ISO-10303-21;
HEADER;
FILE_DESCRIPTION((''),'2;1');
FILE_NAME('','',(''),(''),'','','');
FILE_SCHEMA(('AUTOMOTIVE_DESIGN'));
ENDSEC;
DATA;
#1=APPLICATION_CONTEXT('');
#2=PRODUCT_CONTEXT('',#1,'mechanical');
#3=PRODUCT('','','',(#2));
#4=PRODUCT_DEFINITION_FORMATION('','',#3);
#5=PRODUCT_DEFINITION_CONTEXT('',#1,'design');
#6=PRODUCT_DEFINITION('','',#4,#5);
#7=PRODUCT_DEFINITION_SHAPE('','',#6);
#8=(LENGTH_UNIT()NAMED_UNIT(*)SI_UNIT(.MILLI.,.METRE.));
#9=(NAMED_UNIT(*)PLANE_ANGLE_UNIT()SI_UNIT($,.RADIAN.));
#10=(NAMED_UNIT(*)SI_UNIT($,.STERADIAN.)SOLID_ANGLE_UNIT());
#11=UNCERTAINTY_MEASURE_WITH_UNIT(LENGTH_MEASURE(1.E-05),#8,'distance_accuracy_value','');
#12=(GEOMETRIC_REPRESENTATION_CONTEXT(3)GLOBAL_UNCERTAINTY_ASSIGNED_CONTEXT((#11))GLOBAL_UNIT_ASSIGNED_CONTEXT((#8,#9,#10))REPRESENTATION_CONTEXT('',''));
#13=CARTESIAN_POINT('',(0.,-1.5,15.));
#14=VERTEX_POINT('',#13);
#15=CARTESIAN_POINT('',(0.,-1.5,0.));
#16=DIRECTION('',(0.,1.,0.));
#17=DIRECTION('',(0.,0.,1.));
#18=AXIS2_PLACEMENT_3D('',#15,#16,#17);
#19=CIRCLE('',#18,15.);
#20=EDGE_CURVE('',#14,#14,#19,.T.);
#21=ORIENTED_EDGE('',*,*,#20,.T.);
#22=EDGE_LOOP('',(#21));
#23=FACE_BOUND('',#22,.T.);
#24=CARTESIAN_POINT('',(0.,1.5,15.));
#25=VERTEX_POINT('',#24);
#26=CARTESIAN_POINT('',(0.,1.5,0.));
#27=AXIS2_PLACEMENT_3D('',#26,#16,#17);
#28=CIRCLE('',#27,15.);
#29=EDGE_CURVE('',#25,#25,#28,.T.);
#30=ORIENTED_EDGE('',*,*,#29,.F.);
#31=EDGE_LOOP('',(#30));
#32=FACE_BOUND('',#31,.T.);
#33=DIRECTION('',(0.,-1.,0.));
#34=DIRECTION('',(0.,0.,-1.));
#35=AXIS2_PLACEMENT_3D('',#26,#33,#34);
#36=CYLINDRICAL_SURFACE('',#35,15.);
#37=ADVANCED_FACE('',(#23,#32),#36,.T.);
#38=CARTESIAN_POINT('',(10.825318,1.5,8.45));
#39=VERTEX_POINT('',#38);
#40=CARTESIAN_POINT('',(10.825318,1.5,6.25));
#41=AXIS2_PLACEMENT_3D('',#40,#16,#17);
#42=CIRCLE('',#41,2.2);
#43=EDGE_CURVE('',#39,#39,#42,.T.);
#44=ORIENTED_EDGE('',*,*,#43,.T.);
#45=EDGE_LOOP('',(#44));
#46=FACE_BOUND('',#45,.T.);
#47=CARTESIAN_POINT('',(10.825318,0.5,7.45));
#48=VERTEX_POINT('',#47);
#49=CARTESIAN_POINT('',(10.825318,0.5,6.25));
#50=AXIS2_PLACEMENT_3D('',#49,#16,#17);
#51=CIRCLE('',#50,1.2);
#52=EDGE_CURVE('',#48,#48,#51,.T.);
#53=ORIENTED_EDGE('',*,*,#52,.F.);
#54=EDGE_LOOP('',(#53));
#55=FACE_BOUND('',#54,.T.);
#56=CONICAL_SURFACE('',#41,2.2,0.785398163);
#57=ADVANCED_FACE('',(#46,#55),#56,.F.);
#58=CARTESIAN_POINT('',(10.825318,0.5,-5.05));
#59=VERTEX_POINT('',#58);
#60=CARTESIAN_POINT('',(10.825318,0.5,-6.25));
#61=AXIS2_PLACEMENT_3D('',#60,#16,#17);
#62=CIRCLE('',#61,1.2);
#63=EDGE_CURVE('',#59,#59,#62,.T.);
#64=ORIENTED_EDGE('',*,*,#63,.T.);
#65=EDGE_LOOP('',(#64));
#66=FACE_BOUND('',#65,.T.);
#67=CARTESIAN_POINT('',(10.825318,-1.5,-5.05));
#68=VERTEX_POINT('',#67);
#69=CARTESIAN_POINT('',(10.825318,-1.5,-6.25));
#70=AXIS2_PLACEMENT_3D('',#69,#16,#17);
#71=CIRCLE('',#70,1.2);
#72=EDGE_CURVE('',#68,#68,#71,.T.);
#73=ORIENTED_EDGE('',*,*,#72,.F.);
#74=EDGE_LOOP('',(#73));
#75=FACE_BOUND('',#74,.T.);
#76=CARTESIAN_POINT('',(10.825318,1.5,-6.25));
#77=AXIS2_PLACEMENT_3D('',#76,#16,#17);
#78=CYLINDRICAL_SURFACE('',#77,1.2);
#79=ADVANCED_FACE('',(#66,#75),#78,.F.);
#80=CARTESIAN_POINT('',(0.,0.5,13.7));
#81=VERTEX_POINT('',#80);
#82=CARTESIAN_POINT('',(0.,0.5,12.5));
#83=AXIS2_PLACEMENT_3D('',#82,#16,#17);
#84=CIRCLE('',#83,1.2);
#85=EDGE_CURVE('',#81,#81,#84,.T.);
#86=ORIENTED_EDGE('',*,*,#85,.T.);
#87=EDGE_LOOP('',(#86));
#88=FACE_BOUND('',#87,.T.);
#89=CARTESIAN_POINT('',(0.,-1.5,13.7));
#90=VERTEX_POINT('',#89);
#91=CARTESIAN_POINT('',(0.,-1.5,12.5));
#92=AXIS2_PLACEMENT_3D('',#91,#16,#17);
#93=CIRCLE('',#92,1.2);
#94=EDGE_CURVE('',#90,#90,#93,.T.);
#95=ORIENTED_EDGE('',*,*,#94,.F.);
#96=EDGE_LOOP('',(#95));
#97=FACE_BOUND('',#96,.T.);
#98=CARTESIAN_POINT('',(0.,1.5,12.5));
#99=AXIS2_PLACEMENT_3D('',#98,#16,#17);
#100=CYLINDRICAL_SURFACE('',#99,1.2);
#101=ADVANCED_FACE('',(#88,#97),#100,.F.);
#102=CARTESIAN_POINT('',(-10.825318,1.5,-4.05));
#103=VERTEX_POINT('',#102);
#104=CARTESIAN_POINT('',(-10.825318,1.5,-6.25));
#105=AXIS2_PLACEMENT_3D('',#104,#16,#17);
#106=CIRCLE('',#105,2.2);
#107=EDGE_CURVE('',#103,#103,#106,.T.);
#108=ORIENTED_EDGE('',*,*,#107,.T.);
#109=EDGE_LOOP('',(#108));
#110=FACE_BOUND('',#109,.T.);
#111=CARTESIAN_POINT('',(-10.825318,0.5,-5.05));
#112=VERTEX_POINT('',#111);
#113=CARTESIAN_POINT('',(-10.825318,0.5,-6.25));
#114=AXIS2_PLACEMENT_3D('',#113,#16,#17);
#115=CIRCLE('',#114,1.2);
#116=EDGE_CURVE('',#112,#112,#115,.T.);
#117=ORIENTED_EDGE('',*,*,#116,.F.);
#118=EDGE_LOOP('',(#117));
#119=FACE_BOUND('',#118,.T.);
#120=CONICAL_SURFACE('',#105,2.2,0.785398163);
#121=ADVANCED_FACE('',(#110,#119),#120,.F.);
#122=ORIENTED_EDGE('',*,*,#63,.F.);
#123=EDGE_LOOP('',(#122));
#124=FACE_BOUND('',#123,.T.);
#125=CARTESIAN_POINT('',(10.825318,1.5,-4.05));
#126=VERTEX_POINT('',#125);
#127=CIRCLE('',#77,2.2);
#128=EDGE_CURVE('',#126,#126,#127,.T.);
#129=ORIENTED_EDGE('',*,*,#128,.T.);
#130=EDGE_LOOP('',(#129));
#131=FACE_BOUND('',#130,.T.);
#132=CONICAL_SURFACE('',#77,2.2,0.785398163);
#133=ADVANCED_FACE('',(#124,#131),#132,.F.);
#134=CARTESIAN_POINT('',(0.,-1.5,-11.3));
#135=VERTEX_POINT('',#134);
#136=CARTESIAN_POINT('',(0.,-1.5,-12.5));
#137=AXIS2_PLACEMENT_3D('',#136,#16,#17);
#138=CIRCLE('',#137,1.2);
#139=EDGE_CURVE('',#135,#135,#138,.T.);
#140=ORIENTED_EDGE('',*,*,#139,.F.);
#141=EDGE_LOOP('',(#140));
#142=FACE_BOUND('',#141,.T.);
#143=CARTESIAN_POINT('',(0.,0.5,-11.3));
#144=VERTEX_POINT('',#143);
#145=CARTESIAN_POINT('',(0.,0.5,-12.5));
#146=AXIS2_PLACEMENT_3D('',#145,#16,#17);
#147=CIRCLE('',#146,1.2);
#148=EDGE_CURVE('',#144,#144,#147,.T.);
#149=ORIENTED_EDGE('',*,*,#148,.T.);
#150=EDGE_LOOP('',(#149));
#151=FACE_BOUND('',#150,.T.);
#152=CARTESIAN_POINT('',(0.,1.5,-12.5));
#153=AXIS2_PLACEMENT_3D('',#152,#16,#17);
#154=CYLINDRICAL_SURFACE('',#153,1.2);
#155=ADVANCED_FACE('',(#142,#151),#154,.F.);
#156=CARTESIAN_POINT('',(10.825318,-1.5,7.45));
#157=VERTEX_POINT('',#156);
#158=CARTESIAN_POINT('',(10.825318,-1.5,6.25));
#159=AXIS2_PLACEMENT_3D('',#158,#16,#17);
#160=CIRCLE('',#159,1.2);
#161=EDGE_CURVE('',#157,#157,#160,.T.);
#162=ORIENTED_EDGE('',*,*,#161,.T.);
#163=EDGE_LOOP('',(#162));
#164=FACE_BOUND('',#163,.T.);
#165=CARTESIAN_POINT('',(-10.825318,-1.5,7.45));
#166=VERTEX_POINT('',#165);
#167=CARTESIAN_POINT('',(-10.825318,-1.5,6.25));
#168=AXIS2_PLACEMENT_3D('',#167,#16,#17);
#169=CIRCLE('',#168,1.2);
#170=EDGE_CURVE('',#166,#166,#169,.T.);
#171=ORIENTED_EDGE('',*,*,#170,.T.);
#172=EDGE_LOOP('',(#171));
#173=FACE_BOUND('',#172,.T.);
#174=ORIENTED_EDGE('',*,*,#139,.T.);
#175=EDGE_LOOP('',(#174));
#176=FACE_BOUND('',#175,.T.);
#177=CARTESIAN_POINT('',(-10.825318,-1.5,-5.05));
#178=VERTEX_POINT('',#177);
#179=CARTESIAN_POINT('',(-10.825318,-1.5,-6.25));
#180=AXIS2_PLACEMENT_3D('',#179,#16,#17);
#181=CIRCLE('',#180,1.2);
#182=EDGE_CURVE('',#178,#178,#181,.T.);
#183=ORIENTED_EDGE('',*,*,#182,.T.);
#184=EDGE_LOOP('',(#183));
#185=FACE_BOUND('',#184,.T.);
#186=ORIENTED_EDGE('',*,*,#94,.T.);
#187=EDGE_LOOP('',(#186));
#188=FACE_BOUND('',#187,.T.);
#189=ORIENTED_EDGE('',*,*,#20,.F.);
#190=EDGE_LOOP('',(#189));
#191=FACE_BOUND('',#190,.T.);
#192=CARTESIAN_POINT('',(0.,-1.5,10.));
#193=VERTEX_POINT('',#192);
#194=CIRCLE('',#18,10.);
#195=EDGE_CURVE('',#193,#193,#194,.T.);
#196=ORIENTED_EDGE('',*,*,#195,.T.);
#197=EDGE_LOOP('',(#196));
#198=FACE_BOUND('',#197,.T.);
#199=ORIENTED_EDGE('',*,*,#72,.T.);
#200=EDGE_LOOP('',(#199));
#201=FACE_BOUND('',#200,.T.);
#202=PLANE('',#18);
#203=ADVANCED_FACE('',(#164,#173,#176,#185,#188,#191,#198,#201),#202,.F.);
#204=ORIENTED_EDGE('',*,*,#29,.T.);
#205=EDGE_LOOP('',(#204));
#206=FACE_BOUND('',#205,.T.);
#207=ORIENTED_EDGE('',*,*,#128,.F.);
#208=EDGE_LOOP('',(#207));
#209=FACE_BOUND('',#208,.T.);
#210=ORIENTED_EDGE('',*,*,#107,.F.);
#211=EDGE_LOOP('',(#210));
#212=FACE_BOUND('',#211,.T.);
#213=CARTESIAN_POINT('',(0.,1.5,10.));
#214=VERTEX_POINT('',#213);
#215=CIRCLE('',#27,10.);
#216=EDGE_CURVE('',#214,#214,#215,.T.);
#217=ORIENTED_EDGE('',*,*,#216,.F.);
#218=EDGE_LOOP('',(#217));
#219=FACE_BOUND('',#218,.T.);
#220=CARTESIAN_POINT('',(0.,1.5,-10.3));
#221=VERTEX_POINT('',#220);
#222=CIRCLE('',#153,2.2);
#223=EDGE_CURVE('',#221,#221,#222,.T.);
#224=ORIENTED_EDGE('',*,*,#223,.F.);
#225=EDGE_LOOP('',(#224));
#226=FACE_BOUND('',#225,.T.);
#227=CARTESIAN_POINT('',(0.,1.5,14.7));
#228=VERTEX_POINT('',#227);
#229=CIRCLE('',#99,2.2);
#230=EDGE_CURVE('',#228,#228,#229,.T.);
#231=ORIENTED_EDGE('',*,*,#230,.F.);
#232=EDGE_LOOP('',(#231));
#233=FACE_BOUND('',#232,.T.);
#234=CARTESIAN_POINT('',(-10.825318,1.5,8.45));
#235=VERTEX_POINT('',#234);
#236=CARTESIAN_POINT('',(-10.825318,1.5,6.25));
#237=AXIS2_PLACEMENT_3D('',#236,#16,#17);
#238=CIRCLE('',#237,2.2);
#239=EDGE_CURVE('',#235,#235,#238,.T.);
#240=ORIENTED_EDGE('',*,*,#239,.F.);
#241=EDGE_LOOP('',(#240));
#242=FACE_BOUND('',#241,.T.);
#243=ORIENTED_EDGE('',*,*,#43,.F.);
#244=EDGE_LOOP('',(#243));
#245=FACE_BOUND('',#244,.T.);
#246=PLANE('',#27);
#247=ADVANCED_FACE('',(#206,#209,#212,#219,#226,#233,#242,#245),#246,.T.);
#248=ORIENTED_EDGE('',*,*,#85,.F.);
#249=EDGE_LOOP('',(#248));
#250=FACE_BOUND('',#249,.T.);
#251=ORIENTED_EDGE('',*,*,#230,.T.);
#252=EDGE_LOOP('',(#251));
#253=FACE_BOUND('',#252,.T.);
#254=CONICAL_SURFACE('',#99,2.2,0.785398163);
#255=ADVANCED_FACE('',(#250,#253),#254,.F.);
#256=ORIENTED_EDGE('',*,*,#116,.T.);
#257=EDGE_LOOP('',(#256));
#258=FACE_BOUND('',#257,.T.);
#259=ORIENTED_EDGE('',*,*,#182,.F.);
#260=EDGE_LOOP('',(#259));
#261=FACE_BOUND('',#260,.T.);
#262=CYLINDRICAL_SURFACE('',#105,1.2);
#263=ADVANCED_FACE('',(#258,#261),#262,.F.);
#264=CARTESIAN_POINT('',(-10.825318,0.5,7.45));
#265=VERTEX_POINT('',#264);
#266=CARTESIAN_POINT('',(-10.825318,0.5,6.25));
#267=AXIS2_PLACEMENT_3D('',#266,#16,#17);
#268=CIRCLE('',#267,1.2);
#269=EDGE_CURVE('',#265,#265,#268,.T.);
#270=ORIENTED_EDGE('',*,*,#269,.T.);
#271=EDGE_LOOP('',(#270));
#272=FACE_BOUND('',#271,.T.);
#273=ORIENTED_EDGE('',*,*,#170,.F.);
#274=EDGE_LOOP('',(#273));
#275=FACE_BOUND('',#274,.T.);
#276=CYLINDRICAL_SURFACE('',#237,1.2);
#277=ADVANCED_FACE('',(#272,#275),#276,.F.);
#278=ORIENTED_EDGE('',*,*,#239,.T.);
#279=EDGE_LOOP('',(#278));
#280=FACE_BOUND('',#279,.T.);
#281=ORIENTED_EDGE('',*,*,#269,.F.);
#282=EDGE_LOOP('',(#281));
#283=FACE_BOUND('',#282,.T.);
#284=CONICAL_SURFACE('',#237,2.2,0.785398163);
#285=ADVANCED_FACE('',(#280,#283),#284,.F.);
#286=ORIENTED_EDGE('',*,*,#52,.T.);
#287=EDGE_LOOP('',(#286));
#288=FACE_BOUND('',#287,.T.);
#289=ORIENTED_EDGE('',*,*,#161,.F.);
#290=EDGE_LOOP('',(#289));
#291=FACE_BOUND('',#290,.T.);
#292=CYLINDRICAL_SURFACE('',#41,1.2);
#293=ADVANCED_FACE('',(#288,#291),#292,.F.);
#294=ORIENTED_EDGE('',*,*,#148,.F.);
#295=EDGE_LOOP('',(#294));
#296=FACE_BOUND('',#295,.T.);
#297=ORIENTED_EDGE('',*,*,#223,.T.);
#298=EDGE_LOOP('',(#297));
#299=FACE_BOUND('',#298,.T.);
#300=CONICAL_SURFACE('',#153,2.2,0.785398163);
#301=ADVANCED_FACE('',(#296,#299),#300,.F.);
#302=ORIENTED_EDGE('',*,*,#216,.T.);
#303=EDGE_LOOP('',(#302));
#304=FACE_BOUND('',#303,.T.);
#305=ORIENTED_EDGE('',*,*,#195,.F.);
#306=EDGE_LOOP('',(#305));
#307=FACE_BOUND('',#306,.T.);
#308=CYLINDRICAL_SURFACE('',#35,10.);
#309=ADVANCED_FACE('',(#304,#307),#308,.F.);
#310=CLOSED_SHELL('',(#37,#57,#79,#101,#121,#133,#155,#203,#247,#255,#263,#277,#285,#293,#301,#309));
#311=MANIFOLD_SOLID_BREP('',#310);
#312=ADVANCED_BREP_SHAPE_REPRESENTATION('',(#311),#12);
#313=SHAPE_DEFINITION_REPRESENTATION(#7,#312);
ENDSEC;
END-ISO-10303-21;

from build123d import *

# Parameters (mm, degrees)
SKETCH1_R                                       = 15
SKETCH1_R_2                                     = 10
BOSS_EXTRUDE1_DEPTH                             = 1.5
CSK_FOR_M2_FLAT_HEAD_MACHINE_SCREW1_D           = 2.4
CSK_FOR_M2_FLAT_HEAD_MACHINE_SCREW1_CSINK_D     = 4.4
CSK_FOR_M2_FLAT_HEAD_MACHINE_SCREW1_CSINK_ANGLE = 90
CIRPATTERN1_COUNT                               = 6


with BuildPart() as part:
    # Sketch1 → Boss-Extrude1 (new, symmetric)
    with BuildSketch(Plane(origin=(0, 0, 0), x_dir=(1, 0, 0), z_dir=(0, 1, 0))):
        with Locations(Location((0, 0, 0), (0, 0, 270))):
            Circle(SKETCH1_R)
        with Locations(Location((0, 0, 0), (0, 0, 270))):
            Circle(SKETCH1_R_2, mode=Mode.SUBTRACT)
    extrude(amount=BOSS_EXTRUDE1_DEPTH, both=True)

    # CSK for M2 Flat Head Machine Screw1 (through all)
    with Locations(Plane(origin=(0, 1.5, -12.5), x_dir=(0, 0, 1), z_dir=(0, 1, 0))):
        with Locations((0, 0)):
            csk_for_m2_flat_head_machine_screw1 = CounterSinkHole(CSK_FOR_M2_FLAT_HEAD_MACHINE_SCREW1_D / 2, CSK_FOR_M2_FLAT_HEAD_MACHINE_SCREW1_CSINK_D / 2, counter_sink_angle=CSK_FOR_M2_FLAT_HEAD_MACHINE_SCREW1_CSINK_ANGLE)

    # CirPattern1: CSK for M2 Flat Head Machine Screw1 ×6 about axis
    cirpattern1_axis = Axis((0, 0, 0), (0, 1, 0))
    for i in range(1, CIRPATTERN1_COUNT):
        add(csk_for_m2_flat_head_machine_screw1.rotate(cirpattern1_axis, i * 360 / CIRPATTERN1_COUNT), mode=Mode.SUBTRACT)


solid = part.part
